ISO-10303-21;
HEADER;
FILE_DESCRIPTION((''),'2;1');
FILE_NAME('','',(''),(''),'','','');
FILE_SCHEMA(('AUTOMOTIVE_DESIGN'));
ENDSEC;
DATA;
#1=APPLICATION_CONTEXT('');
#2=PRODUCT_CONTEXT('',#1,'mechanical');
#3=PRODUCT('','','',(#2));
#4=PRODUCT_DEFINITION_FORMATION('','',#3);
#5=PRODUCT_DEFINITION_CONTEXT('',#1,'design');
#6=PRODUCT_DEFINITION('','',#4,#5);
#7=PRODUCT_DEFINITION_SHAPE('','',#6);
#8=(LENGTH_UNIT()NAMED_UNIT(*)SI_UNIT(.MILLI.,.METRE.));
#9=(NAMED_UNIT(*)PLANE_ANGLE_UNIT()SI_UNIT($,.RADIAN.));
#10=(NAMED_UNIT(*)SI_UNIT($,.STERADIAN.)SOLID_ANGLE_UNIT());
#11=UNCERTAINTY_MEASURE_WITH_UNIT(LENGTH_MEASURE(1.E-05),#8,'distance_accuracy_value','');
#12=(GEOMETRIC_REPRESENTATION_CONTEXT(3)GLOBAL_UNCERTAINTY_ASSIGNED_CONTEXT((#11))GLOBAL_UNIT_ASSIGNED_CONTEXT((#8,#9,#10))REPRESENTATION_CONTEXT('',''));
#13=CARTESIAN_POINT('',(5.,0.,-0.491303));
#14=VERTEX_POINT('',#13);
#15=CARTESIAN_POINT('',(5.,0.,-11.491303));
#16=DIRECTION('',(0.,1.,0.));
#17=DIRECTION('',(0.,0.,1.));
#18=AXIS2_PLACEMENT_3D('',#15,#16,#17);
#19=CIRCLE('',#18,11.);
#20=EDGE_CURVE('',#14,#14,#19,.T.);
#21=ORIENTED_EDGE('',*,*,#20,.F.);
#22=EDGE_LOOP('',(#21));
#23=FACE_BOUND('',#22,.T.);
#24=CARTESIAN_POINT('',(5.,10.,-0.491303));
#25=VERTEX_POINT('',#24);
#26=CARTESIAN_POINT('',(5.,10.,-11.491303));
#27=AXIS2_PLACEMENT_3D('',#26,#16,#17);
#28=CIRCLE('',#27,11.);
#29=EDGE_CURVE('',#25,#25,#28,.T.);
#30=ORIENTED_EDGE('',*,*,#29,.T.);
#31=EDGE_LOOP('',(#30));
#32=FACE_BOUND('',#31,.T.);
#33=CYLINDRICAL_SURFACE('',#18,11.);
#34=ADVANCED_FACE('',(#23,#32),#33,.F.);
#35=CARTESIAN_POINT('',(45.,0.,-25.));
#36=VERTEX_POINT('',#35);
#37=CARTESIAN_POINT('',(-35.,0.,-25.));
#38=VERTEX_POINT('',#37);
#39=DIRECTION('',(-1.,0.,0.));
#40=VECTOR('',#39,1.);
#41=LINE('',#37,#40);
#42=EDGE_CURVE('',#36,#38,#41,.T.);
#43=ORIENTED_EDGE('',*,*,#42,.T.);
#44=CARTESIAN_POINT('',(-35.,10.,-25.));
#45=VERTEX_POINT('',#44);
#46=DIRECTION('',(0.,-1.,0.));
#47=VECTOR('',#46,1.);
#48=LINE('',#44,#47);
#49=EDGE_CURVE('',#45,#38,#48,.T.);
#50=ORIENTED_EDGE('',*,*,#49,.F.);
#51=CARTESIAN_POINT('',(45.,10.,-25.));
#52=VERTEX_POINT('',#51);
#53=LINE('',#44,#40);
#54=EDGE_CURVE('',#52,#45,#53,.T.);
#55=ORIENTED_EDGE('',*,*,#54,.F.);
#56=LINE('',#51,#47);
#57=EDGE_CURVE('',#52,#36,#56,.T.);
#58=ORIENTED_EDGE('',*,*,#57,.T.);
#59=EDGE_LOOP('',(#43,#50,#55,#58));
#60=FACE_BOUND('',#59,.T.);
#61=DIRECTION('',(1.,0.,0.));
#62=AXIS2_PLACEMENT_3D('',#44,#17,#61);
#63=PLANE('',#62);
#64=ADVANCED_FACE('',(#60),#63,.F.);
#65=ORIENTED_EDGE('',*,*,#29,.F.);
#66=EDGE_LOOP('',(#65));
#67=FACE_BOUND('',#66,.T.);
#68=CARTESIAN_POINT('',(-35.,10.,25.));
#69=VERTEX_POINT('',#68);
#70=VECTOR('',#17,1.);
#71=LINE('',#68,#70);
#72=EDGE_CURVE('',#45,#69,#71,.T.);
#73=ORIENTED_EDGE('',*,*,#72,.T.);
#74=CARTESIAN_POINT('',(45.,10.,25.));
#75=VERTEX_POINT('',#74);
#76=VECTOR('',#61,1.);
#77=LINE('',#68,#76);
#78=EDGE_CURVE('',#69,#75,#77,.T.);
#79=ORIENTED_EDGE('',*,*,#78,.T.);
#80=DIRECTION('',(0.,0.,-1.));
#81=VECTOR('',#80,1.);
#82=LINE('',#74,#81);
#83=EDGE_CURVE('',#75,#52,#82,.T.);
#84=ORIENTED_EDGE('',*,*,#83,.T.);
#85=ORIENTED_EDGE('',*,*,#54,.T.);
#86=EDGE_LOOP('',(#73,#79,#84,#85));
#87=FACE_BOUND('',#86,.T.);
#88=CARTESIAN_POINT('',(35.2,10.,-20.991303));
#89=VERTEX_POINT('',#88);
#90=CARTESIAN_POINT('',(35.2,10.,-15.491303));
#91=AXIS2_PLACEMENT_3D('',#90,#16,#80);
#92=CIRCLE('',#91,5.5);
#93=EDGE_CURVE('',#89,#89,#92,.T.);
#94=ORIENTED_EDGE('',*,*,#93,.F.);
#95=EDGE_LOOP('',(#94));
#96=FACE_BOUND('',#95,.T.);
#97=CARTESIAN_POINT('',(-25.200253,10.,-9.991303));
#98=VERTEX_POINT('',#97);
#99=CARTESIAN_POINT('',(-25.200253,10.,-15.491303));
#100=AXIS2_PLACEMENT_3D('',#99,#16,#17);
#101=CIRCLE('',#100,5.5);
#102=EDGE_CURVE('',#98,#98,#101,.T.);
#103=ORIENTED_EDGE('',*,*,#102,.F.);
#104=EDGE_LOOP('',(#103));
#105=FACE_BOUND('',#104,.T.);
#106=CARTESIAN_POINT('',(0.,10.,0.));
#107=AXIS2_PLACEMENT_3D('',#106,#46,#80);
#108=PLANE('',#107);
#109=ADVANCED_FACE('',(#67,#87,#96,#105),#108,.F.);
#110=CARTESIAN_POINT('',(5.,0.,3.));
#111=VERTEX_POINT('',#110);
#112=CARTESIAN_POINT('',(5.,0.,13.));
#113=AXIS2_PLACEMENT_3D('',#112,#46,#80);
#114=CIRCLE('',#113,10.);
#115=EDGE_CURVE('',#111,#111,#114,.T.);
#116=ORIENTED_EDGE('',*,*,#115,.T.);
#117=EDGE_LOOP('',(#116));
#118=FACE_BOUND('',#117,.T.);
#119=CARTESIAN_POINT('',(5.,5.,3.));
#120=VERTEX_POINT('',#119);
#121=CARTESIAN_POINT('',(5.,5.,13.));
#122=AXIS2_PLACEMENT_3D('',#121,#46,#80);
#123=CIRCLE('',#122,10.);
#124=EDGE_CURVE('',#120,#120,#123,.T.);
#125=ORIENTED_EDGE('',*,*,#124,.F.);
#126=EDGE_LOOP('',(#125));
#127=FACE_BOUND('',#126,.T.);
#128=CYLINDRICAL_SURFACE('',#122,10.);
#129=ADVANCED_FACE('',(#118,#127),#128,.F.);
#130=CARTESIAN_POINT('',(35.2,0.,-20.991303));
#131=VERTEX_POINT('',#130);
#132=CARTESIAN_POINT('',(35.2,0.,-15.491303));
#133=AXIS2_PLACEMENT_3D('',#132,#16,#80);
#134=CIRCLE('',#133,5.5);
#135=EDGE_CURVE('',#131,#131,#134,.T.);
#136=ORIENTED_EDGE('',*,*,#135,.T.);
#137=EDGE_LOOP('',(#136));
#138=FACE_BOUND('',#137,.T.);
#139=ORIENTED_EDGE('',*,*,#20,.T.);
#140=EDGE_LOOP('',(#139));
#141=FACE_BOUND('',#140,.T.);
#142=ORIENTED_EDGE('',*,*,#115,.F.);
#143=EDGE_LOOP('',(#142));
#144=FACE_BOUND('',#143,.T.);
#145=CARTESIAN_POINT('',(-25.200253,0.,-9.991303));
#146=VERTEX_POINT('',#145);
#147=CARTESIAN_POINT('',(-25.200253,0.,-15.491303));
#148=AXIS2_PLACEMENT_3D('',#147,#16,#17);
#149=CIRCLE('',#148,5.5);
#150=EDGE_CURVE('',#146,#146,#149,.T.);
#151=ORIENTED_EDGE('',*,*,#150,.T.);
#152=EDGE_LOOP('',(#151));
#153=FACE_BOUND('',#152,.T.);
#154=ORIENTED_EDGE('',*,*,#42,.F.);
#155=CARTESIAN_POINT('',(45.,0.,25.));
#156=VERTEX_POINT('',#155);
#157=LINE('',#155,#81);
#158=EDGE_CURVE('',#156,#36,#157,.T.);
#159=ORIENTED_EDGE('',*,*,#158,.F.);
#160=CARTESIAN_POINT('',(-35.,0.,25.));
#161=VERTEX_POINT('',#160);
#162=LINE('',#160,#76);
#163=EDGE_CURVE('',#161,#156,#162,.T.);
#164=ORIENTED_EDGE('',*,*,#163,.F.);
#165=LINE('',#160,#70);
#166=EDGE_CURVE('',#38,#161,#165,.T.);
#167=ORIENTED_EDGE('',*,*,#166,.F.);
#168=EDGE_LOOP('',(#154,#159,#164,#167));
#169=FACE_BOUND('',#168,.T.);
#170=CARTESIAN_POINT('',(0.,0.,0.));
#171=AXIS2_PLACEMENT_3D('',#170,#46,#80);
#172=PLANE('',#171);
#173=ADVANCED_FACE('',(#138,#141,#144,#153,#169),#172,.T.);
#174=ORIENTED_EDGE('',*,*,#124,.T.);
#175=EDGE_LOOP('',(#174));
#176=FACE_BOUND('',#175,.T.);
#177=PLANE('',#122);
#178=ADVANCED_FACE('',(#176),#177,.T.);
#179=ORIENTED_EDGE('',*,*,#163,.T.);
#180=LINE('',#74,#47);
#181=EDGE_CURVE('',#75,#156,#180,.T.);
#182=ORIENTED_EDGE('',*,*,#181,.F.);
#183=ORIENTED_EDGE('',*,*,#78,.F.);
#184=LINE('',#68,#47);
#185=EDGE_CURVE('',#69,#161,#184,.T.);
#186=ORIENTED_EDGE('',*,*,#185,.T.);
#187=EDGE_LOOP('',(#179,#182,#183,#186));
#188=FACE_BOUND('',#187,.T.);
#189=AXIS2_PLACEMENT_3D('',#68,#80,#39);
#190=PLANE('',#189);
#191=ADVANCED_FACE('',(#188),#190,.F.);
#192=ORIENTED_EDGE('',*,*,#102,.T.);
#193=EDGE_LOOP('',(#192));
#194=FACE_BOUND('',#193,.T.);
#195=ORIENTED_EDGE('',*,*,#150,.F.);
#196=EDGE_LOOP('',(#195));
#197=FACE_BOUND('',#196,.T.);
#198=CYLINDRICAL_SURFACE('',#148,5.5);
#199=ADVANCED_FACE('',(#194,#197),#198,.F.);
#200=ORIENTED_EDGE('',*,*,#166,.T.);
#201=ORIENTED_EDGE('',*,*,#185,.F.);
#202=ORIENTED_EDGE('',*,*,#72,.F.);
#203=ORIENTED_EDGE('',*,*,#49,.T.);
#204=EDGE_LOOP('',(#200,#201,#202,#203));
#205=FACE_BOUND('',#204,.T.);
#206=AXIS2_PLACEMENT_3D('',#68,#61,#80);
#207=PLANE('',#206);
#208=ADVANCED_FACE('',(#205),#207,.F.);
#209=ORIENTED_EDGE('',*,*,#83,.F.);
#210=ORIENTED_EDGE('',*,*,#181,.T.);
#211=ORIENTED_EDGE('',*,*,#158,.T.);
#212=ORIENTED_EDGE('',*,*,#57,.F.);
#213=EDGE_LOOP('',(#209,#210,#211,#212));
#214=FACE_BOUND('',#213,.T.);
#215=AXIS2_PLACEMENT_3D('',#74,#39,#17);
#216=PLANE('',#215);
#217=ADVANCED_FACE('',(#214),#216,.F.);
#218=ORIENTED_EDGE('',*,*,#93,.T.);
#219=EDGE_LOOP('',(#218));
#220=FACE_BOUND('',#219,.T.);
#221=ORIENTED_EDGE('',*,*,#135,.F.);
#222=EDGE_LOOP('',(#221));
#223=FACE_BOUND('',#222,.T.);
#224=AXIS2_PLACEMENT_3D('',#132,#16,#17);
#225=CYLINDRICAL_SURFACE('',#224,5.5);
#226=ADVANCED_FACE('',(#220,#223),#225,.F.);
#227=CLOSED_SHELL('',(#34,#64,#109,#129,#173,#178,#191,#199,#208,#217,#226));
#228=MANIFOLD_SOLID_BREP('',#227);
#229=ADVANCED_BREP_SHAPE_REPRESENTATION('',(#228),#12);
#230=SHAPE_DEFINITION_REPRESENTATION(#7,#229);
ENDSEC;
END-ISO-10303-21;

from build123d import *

# Parameters (mm, degrees)
SKETCH1_W           = 80
SKETCH1_H           = 50
BOSS_EXTRUDE1_DEPTH = 10
SKETCH2_R           = 5.5
SKETCH2_R_2         = 11
CUT_EXTRUDE1_DEPTH  = 53.440442409
SKETCH3_R           = 10
CUT_EXTRUDE2_DEPTH  = 5


with BuildPart() as part:
    # Sketch1 → Boss-Extrude1 (new body)
    with BuildSketch(Plane(origin=(0, 0, 0), x_dir=(1, 0, 0), z_dir=(0, 1, 0))):
        with Locations((5, 0)):
            Rectangle(SKETCH1_W, SKETCH1_H)
    extrude(amount=BOSS_EXTRUDE1_DEPTH)

    # Sketch2 → Cut-Extrude1 (cut, through all)
    with BuildSketch(Plane(origin=(0, 10, 0), x_dir=(1, 0, 0), z_dir=(0, 1, 0))):
        with Locations(Location((-25.20025306, 15.49130346, 0), (0, 0, 270))):
            Circle(SKETCH2_R)
        with Locations(Location((35.2, 15.49130346, 0), (0, 0, 90))):
            Circle(SKETCH2_R)
        with Locations(Location((5, 11.49130346, 0), (0, 0, 270))):
            Circle(SKETCH2_R_2)
    extrude(amount=-CUT_EXTRUDE1_DEPTH, mode=Mode.SUBTRACT)

    # Sketch3 → Cut-Extrude2 (cut)
    with BuildSketch(Plane.XZ):
        with Locations(Location((5, 13, 0), (0, 0, 270))):
            Circle(SKETCH3_R)
    extrude(amount=-CUT_EXTRUDE2_DEPTH, mode=Mode.SUBTRACT)


solid = part.part
